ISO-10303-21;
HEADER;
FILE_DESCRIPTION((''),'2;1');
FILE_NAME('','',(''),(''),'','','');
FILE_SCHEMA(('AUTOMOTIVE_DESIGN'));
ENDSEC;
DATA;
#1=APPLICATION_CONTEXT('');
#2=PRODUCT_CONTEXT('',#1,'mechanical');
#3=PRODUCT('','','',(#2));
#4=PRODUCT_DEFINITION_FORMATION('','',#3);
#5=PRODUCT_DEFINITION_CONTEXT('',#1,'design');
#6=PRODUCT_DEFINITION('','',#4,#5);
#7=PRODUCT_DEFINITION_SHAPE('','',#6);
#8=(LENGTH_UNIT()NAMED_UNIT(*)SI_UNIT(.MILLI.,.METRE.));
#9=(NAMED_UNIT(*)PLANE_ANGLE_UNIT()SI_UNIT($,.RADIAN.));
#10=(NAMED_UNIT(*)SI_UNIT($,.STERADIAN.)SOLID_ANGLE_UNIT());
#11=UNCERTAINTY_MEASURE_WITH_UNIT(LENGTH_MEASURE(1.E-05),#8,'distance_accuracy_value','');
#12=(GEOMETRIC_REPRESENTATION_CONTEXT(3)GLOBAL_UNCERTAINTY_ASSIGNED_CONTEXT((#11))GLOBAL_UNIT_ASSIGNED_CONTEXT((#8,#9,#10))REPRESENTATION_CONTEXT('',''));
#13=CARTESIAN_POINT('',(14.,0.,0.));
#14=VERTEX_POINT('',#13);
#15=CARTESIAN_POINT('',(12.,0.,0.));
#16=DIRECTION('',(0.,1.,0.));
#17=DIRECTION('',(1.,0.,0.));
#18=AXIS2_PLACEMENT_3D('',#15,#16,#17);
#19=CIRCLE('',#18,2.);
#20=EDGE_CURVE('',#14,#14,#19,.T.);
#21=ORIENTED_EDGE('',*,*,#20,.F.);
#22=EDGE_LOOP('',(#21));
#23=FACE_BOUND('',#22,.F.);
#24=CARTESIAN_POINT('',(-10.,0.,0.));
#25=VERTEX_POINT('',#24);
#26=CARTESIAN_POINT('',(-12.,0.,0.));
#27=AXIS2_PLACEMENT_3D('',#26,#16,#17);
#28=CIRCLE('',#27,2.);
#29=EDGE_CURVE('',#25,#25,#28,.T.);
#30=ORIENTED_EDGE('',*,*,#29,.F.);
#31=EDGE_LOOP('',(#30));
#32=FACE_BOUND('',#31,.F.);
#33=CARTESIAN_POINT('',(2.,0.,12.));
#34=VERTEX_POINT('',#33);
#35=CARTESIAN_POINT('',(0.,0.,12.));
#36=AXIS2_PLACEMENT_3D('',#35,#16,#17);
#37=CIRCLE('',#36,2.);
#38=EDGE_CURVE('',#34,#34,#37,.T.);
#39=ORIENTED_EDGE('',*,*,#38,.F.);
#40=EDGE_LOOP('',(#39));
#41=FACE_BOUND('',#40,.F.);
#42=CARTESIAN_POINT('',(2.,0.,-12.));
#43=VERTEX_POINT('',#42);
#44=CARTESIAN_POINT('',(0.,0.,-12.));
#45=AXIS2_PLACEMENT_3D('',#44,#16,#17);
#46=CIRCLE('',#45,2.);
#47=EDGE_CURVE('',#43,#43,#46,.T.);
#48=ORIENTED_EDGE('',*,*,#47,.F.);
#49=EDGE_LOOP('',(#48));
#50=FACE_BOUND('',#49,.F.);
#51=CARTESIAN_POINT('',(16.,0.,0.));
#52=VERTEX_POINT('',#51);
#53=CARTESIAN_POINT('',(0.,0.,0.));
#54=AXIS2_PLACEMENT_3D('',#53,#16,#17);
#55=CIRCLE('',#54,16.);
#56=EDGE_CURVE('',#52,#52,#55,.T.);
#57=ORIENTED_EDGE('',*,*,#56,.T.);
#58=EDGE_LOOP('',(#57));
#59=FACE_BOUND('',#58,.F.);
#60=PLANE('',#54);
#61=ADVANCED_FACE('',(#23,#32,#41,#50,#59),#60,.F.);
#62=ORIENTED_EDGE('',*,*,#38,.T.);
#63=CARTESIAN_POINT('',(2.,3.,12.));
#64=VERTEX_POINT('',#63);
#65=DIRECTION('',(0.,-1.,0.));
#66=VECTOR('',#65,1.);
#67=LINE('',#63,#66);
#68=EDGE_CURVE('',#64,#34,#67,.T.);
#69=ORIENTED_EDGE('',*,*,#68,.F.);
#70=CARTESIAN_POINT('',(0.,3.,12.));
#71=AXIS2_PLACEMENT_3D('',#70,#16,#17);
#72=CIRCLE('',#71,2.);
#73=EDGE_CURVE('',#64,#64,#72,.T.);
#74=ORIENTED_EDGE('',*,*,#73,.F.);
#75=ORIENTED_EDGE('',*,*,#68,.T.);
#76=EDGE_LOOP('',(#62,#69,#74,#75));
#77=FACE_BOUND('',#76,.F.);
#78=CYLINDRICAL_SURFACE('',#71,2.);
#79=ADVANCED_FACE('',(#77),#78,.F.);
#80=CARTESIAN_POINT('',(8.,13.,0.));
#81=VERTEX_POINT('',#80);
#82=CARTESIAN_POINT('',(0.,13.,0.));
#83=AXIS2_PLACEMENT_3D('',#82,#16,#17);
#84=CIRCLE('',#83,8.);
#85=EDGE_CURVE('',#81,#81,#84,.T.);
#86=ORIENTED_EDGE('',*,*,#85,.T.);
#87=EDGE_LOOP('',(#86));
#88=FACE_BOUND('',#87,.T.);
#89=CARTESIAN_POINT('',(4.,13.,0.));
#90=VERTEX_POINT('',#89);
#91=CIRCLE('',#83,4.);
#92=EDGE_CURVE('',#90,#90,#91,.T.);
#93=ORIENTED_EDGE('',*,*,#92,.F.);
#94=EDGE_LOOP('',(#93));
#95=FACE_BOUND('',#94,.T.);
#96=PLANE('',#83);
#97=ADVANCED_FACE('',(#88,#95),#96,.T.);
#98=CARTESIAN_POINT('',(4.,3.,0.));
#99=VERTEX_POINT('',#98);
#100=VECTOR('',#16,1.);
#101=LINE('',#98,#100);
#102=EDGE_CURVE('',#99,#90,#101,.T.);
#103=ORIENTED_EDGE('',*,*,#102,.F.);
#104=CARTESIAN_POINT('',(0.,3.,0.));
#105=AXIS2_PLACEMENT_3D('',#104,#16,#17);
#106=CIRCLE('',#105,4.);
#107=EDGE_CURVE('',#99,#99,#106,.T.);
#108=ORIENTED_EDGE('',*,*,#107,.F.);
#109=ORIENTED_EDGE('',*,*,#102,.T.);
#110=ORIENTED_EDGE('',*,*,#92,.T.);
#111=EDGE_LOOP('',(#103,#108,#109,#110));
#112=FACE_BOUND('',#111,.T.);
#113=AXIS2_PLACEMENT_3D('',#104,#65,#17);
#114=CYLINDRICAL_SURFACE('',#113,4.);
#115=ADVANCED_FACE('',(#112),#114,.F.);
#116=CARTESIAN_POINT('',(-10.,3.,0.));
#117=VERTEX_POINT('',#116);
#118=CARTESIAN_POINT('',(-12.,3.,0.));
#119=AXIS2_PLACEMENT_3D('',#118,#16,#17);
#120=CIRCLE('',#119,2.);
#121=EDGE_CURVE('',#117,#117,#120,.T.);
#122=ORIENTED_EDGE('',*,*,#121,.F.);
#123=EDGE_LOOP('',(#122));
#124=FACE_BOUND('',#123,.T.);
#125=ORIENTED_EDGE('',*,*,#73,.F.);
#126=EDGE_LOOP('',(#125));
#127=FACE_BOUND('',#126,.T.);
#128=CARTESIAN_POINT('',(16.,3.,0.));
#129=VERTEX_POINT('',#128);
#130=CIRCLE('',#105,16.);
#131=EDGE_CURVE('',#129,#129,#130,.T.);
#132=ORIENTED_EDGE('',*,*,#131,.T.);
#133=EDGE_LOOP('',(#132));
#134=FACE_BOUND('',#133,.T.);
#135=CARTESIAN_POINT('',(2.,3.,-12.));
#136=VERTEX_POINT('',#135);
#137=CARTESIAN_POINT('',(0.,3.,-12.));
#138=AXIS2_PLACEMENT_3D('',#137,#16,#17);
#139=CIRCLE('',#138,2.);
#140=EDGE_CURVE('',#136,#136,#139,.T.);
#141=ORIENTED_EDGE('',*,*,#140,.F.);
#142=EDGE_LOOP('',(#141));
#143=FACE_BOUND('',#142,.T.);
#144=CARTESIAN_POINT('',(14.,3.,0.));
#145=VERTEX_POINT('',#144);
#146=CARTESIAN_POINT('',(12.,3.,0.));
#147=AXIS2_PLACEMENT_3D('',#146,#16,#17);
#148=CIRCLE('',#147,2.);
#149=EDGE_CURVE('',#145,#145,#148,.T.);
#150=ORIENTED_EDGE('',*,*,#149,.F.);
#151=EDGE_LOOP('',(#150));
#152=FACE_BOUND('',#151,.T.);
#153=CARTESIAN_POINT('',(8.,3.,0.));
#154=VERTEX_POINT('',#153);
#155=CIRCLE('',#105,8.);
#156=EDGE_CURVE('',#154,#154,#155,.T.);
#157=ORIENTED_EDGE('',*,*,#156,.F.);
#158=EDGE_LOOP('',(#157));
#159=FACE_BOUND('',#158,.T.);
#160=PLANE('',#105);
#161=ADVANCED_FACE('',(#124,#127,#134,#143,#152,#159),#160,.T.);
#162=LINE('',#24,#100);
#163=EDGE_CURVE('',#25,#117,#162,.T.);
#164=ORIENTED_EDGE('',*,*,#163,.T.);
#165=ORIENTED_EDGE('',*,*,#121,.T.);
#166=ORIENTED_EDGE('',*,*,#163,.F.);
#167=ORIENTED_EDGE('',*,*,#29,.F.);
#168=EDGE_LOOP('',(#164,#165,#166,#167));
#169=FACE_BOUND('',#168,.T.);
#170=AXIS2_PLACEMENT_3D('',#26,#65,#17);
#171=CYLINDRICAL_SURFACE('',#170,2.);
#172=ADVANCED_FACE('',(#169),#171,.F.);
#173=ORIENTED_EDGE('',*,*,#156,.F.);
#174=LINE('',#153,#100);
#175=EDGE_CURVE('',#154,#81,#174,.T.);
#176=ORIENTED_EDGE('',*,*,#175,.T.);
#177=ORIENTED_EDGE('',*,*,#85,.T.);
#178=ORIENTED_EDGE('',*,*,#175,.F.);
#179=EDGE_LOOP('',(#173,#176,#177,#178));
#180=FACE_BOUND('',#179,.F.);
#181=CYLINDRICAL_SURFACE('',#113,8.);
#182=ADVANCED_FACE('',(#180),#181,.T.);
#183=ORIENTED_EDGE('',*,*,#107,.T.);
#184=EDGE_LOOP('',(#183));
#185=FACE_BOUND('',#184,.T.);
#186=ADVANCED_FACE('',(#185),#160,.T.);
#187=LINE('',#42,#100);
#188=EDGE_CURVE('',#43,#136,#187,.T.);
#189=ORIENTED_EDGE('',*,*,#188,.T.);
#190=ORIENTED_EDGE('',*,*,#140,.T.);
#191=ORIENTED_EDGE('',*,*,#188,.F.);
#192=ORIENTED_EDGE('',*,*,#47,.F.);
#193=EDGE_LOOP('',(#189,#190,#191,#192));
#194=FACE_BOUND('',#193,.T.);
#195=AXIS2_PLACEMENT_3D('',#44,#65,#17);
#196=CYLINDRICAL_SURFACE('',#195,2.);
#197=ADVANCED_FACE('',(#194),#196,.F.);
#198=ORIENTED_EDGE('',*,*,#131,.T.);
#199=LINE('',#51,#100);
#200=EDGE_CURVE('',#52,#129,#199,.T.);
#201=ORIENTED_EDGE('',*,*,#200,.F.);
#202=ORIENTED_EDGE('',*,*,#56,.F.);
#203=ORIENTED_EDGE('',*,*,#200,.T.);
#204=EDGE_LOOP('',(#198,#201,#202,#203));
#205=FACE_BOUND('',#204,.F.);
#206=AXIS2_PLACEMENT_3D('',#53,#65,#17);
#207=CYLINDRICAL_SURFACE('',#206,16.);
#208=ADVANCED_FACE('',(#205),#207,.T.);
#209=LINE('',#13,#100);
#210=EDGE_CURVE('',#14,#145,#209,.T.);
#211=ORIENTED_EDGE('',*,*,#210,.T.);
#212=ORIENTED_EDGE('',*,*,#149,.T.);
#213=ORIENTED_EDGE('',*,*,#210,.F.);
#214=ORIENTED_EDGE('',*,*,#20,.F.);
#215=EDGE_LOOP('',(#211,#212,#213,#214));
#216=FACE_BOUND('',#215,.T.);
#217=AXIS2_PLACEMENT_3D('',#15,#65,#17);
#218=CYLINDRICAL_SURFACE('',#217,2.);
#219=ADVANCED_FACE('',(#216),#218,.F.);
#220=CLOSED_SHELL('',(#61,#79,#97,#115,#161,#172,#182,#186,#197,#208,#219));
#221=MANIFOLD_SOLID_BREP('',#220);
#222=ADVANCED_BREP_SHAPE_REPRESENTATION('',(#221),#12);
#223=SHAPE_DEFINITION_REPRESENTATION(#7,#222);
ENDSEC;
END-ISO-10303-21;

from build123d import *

# Parameters (mm, degrees)
SKETCH2_R           = 16
SKETCH2_R_2         = 2
BOSS_EXTRUDE1_DEPTH = 3
SKETCH3_R           = 8
SKETCH3_R_2         = 4
BOSS_EXTRUDE2_DEPTH = 10
SKETCH4_R           = 2
CUT_EXTRUDE1_DEPTH  = 10


with BuildPart() as part:
    # Sketch2 → Boss-Extrude1 (new body)
    with BuildSketch(Plane(origin=(0, 0, 0), x_dir=(1, 0, 0), z_dir=(0, 1, 0))):
        Circle(SKETCH2_R)
        with Locations((0, 12)):
            Circle(SKETCH2_R_2, mode=Mode.SUBTRACT)
        with Locations((-12, 0)):
            Circle(SKETCH2_R_2, mode=Mode.SUBTRACT)
        with Locations((12, 0)):
            Circle(SKETCH2_R_2, mode=Mode.SUBTRACT)
    extrude(amount=BOSS_EXTRUDE1_DEPTH)

    # Sketch3 → Boss-Extrude2 (add)
    with BuildSketch(Plane(origin=(0, 3, 0), x_dir=(1, 0, 0), z_dir=(0, 1, 0))):
        Circle(SKETCH3_R)
        Circle(SKETCH3_R_2, mode=Mode.SUBTRACT)
    extrude(amount=BOSS_EXTRUDE2_DEPTH)

    # Sketch4 → Cut-Extrude1 (cut)
    with BuildSketch(Plane(origin=(0, 3, 0), x_dir=(1, 0, 0), z_dir=(0, 1, 0))):
        with Locations((0, -12)):
            Circle(SKETCH4_R)
    extrude(amount=-CUT_EXTRUDE1_DEPTH, mode=Mode.SUBTRACT)


solid = part.part
